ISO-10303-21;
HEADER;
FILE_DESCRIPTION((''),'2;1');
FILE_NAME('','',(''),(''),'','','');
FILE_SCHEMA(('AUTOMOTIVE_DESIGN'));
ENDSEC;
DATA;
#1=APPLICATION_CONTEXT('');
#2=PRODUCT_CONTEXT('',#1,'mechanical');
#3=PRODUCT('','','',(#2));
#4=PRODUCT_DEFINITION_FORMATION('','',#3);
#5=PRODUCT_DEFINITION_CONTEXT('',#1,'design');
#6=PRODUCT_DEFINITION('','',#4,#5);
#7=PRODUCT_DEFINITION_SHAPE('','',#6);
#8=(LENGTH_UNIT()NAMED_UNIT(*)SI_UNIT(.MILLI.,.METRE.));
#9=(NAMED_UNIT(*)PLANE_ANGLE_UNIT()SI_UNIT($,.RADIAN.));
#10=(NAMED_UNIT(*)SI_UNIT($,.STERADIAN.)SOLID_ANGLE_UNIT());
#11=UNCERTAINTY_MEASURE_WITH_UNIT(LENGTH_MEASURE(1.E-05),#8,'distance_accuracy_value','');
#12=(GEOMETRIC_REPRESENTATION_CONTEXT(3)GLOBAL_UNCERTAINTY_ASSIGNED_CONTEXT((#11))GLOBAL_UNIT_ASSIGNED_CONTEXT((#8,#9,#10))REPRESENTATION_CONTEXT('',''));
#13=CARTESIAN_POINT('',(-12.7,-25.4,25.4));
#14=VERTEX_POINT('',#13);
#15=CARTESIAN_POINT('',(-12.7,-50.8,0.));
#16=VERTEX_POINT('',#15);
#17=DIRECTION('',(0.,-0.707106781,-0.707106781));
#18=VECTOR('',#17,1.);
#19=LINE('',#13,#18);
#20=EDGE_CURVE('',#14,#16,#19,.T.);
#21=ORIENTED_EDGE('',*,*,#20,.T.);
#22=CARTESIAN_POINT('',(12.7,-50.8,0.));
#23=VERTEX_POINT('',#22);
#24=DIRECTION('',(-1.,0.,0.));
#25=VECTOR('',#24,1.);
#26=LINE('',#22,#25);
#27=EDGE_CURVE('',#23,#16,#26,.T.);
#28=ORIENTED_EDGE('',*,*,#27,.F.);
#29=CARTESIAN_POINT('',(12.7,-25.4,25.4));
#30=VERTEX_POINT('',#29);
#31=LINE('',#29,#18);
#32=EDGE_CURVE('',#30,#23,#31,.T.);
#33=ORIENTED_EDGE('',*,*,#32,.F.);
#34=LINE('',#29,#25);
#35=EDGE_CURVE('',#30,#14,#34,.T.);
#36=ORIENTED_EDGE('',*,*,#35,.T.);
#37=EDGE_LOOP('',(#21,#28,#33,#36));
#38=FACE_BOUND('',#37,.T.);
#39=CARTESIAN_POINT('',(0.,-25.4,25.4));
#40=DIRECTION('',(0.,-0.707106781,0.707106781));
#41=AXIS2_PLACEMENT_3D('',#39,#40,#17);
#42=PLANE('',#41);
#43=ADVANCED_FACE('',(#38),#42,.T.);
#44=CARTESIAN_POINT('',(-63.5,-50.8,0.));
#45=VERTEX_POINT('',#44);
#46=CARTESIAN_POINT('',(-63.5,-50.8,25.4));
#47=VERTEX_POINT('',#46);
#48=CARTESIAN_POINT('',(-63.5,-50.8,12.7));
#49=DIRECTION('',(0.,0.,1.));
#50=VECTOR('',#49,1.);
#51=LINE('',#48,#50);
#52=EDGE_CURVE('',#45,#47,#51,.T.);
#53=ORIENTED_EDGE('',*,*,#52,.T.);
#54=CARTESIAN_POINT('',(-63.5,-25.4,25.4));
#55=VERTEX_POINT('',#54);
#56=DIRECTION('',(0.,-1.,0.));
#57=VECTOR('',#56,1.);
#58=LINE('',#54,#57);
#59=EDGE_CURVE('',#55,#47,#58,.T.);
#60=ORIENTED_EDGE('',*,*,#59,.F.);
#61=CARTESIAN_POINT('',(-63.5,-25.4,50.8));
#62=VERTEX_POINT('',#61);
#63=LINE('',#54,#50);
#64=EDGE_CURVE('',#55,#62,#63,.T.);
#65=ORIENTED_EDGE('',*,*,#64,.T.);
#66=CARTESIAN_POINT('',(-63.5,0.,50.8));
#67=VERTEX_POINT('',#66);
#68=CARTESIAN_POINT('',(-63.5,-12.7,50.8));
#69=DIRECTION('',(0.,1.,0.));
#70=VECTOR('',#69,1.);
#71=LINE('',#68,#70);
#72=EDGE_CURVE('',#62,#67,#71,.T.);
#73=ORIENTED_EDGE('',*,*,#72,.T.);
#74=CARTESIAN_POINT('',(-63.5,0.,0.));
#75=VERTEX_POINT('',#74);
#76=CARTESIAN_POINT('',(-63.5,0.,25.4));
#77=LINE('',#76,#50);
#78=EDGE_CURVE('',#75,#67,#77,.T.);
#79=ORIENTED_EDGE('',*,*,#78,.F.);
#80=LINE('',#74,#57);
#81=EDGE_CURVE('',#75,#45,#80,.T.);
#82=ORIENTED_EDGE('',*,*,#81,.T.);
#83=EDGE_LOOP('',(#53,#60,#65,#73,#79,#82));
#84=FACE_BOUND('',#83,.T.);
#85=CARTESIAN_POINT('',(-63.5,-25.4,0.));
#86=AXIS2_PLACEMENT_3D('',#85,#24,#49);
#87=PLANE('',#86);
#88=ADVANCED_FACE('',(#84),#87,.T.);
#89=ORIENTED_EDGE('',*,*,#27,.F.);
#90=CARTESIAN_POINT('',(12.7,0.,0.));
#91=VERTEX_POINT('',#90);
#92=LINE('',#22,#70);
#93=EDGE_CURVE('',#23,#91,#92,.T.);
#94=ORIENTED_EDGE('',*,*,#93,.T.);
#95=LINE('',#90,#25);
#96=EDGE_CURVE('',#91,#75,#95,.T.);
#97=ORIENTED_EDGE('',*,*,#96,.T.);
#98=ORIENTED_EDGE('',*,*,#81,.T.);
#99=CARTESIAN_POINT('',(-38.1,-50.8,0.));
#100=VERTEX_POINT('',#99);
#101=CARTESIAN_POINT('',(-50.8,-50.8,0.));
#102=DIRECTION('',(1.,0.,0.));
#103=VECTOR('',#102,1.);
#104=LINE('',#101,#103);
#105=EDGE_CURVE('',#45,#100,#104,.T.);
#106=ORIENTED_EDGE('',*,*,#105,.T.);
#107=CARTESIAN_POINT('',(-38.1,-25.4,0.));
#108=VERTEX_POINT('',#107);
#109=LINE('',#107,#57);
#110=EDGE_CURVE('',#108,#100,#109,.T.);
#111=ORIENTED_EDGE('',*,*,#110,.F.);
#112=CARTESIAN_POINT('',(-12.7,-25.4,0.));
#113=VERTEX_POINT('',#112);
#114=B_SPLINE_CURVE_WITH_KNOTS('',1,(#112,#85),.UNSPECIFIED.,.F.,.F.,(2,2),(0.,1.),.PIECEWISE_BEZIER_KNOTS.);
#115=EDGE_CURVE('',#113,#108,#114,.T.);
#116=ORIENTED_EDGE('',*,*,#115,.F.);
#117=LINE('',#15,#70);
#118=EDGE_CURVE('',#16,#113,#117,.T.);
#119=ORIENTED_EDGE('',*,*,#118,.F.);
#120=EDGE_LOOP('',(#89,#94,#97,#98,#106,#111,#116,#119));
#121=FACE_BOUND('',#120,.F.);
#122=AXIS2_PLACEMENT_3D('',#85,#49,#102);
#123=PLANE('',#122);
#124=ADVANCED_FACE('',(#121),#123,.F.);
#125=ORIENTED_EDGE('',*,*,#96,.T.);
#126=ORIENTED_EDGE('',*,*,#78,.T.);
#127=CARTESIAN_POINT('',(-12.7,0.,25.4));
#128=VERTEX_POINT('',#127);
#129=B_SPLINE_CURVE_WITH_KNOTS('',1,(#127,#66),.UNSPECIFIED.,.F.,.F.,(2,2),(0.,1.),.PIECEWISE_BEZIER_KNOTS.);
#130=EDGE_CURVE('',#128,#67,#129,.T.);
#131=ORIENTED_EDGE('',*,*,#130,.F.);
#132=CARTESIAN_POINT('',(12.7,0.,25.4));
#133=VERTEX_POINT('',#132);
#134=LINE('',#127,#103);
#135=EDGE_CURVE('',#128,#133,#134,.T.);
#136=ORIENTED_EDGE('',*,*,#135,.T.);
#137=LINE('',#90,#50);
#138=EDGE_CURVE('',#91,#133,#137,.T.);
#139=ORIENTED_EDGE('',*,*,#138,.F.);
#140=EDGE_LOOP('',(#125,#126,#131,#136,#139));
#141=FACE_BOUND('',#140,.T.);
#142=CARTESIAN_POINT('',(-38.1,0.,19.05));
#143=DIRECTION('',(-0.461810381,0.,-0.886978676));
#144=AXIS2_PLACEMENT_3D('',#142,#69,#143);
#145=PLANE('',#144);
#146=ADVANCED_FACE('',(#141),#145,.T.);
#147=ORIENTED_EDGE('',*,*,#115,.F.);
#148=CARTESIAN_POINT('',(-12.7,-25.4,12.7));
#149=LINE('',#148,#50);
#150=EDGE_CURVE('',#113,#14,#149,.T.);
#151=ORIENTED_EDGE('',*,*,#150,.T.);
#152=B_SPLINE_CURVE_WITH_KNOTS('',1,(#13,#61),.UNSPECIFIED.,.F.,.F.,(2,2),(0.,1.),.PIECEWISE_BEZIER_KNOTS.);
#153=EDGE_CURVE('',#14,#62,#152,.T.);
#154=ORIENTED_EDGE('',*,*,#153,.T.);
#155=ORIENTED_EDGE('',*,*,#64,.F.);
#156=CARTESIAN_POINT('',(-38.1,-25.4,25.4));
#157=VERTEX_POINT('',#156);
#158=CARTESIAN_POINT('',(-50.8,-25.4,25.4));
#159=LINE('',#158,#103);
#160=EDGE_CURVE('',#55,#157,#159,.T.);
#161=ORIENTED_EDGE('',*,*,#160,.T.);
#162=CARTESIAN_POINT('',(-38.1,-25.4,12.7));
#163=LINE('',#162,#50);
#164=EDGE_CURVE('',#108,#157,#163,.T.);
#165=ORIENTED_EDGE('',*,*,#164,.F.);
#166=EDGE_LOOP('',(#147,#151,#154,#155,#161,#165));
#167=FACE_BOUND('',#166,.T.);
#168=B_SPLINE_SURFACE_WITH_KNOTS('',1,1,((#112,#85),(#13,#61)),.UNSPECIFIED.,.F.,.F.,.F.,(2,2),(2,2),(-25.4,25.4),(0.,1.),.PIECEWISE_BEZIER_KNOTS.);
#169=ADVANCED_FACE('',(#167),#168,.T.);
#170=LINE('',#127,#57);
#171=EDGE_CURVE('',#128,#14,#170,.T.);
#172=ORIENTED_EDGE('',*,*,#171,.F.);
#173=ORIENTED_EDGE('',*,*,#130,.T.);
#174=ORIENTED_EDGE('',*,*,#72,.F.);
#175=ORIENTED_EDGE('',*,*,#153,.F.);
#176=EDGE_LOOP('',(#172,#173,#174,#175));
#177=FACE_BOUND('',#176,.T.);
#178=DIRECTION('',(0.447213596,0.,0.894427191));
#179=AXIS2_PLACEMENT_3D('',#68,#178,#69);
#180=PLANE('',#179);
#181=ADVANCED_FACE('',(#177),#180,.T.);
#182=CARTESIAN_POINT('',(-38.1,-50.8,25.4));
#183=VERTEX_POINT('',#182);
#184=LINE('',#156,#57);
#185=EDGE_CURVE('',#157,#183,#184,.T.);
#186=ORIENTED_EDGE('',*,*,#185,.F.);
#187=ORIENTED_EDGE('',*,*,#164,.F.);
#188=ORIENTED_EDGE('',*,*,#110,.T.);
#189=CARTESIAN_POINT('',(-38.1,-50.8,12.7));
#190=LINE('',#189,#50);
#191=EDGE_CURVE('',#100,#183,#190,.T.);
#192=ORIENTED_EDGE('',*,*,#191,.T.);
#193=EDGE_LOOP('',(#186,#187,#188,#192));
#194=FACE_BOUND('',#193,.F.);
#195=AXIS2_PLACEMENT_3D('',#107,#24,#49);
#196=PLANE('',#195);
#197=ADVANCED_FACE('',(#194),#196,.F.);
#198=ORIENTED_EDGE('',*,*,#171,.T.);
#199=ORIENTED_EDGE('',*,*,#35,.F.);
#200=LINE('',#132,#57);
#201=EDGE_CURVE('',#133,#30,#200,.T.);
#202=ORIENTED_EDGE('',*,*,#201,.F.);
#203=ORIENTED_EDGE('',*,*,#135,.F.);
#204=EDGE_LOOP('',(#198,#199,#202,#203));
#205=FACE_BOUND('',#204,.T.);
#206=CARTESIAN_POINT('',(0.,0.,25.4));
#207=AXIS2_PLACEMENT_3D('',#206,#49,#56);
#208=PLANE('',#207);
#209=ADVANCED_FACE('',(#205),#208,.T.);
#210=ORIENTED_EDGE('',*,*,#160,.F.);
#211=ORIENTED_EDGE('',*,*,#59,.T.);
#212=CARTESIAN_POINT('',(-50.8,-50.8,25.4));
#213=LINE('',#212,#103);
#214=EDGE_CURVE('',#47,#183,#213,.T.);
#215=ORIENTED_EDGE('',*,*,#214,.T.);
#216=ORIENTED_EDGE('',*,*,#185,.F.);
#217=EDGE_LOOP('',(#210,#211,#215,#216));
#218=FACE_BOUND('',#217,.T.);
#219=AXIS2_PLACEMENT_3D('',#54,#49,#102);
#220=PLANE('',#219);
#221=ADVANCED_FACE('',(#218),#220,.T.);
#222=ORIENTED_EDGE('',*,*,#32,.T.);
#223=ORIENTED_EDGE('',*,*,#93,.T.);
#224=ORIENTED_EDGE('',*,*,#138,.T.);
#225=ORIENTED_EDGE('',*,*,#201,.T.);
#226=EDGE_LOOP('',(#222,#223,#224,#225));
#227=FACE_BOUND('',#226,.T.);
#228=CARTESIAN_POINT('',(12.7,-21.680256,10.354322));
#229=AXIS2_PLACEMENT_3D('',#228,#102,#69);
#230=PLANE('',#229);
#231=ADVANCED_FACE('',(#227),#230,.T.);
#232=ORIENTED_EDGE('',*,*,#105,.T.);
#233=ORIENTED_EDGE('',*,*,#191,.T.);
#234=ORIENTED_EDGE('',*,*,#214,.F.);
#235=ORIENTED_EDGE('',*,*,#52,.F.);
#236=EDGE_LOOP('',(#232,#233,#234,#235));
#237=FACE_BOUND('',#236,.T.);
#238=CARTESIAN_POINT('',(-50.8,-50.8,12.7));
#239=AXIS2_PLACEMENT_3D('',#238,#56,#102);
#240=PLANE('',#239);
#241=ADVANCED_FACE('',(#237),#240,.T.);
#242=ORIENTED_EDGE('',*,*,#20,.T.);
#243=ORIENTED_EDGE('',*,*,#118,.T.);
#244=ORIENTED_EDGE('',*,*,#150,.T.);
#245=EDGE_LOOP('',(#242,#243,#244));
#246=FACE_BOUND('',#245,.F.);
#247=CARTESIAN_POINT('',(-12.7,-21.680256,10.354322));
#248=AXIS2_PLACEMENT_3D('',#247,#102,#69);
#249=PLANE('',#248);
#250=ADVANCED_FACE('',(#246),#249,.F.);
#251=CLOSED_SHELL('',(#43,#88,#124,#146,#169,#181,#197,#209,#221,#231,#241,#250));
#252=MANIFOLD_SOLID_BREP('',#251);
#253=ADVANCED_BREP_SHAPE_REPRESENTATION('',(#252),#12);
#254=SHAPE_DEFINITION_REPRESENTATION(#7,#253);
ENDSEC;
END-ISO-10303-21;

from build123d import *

# Parameters (mm, degrees)
F1_DEPTH = 12.7
F4_W     = 25.4
F4_H     = 25.4
F3_W     = 25.4
F3_H     = 50.8
F6_W     = 25.4
F6_H     = 25.4
F7_DEPTH = 25.4


with BuildPart() as f1:
    # F0 (on Right) → F1 (new body, symmetric)
    with BuildSketch(Plane.YZ):
        Polygon((-50.8, 0), (0, 0), (0, 25.4), (-25.4, 25.4), align=None)
    extrude(amount=F1_DEPTH, both=True)

    # F4 (on face) → F5 section 0
    with BuildSketch(Plane(origin=(-12.7, 0, 0), x_dir=(0, -1, 0), z_dir=(-1, 0, 0))):
        with Locations((12.7, 12.7)):
            Rectangle(F4_W, F4_H)
    # F3 (on offset) → F5 section 1
    with BuildSketch(Plane.YZ.offset(-63.5)):
        with Locations((-12.7, 25.4)):
            Rectangle(F3_W, F3_H)
    loft()

    # F6 (on face) → F7 (join)
    with BuildSketch(Plane.XZ.offset(25.4)):
        with Locations((-50.8, 12.7)):
            Rectangle(F6_W, F6_H)
    extrude(amount=F7_DEPTH)


solid = f1.part
